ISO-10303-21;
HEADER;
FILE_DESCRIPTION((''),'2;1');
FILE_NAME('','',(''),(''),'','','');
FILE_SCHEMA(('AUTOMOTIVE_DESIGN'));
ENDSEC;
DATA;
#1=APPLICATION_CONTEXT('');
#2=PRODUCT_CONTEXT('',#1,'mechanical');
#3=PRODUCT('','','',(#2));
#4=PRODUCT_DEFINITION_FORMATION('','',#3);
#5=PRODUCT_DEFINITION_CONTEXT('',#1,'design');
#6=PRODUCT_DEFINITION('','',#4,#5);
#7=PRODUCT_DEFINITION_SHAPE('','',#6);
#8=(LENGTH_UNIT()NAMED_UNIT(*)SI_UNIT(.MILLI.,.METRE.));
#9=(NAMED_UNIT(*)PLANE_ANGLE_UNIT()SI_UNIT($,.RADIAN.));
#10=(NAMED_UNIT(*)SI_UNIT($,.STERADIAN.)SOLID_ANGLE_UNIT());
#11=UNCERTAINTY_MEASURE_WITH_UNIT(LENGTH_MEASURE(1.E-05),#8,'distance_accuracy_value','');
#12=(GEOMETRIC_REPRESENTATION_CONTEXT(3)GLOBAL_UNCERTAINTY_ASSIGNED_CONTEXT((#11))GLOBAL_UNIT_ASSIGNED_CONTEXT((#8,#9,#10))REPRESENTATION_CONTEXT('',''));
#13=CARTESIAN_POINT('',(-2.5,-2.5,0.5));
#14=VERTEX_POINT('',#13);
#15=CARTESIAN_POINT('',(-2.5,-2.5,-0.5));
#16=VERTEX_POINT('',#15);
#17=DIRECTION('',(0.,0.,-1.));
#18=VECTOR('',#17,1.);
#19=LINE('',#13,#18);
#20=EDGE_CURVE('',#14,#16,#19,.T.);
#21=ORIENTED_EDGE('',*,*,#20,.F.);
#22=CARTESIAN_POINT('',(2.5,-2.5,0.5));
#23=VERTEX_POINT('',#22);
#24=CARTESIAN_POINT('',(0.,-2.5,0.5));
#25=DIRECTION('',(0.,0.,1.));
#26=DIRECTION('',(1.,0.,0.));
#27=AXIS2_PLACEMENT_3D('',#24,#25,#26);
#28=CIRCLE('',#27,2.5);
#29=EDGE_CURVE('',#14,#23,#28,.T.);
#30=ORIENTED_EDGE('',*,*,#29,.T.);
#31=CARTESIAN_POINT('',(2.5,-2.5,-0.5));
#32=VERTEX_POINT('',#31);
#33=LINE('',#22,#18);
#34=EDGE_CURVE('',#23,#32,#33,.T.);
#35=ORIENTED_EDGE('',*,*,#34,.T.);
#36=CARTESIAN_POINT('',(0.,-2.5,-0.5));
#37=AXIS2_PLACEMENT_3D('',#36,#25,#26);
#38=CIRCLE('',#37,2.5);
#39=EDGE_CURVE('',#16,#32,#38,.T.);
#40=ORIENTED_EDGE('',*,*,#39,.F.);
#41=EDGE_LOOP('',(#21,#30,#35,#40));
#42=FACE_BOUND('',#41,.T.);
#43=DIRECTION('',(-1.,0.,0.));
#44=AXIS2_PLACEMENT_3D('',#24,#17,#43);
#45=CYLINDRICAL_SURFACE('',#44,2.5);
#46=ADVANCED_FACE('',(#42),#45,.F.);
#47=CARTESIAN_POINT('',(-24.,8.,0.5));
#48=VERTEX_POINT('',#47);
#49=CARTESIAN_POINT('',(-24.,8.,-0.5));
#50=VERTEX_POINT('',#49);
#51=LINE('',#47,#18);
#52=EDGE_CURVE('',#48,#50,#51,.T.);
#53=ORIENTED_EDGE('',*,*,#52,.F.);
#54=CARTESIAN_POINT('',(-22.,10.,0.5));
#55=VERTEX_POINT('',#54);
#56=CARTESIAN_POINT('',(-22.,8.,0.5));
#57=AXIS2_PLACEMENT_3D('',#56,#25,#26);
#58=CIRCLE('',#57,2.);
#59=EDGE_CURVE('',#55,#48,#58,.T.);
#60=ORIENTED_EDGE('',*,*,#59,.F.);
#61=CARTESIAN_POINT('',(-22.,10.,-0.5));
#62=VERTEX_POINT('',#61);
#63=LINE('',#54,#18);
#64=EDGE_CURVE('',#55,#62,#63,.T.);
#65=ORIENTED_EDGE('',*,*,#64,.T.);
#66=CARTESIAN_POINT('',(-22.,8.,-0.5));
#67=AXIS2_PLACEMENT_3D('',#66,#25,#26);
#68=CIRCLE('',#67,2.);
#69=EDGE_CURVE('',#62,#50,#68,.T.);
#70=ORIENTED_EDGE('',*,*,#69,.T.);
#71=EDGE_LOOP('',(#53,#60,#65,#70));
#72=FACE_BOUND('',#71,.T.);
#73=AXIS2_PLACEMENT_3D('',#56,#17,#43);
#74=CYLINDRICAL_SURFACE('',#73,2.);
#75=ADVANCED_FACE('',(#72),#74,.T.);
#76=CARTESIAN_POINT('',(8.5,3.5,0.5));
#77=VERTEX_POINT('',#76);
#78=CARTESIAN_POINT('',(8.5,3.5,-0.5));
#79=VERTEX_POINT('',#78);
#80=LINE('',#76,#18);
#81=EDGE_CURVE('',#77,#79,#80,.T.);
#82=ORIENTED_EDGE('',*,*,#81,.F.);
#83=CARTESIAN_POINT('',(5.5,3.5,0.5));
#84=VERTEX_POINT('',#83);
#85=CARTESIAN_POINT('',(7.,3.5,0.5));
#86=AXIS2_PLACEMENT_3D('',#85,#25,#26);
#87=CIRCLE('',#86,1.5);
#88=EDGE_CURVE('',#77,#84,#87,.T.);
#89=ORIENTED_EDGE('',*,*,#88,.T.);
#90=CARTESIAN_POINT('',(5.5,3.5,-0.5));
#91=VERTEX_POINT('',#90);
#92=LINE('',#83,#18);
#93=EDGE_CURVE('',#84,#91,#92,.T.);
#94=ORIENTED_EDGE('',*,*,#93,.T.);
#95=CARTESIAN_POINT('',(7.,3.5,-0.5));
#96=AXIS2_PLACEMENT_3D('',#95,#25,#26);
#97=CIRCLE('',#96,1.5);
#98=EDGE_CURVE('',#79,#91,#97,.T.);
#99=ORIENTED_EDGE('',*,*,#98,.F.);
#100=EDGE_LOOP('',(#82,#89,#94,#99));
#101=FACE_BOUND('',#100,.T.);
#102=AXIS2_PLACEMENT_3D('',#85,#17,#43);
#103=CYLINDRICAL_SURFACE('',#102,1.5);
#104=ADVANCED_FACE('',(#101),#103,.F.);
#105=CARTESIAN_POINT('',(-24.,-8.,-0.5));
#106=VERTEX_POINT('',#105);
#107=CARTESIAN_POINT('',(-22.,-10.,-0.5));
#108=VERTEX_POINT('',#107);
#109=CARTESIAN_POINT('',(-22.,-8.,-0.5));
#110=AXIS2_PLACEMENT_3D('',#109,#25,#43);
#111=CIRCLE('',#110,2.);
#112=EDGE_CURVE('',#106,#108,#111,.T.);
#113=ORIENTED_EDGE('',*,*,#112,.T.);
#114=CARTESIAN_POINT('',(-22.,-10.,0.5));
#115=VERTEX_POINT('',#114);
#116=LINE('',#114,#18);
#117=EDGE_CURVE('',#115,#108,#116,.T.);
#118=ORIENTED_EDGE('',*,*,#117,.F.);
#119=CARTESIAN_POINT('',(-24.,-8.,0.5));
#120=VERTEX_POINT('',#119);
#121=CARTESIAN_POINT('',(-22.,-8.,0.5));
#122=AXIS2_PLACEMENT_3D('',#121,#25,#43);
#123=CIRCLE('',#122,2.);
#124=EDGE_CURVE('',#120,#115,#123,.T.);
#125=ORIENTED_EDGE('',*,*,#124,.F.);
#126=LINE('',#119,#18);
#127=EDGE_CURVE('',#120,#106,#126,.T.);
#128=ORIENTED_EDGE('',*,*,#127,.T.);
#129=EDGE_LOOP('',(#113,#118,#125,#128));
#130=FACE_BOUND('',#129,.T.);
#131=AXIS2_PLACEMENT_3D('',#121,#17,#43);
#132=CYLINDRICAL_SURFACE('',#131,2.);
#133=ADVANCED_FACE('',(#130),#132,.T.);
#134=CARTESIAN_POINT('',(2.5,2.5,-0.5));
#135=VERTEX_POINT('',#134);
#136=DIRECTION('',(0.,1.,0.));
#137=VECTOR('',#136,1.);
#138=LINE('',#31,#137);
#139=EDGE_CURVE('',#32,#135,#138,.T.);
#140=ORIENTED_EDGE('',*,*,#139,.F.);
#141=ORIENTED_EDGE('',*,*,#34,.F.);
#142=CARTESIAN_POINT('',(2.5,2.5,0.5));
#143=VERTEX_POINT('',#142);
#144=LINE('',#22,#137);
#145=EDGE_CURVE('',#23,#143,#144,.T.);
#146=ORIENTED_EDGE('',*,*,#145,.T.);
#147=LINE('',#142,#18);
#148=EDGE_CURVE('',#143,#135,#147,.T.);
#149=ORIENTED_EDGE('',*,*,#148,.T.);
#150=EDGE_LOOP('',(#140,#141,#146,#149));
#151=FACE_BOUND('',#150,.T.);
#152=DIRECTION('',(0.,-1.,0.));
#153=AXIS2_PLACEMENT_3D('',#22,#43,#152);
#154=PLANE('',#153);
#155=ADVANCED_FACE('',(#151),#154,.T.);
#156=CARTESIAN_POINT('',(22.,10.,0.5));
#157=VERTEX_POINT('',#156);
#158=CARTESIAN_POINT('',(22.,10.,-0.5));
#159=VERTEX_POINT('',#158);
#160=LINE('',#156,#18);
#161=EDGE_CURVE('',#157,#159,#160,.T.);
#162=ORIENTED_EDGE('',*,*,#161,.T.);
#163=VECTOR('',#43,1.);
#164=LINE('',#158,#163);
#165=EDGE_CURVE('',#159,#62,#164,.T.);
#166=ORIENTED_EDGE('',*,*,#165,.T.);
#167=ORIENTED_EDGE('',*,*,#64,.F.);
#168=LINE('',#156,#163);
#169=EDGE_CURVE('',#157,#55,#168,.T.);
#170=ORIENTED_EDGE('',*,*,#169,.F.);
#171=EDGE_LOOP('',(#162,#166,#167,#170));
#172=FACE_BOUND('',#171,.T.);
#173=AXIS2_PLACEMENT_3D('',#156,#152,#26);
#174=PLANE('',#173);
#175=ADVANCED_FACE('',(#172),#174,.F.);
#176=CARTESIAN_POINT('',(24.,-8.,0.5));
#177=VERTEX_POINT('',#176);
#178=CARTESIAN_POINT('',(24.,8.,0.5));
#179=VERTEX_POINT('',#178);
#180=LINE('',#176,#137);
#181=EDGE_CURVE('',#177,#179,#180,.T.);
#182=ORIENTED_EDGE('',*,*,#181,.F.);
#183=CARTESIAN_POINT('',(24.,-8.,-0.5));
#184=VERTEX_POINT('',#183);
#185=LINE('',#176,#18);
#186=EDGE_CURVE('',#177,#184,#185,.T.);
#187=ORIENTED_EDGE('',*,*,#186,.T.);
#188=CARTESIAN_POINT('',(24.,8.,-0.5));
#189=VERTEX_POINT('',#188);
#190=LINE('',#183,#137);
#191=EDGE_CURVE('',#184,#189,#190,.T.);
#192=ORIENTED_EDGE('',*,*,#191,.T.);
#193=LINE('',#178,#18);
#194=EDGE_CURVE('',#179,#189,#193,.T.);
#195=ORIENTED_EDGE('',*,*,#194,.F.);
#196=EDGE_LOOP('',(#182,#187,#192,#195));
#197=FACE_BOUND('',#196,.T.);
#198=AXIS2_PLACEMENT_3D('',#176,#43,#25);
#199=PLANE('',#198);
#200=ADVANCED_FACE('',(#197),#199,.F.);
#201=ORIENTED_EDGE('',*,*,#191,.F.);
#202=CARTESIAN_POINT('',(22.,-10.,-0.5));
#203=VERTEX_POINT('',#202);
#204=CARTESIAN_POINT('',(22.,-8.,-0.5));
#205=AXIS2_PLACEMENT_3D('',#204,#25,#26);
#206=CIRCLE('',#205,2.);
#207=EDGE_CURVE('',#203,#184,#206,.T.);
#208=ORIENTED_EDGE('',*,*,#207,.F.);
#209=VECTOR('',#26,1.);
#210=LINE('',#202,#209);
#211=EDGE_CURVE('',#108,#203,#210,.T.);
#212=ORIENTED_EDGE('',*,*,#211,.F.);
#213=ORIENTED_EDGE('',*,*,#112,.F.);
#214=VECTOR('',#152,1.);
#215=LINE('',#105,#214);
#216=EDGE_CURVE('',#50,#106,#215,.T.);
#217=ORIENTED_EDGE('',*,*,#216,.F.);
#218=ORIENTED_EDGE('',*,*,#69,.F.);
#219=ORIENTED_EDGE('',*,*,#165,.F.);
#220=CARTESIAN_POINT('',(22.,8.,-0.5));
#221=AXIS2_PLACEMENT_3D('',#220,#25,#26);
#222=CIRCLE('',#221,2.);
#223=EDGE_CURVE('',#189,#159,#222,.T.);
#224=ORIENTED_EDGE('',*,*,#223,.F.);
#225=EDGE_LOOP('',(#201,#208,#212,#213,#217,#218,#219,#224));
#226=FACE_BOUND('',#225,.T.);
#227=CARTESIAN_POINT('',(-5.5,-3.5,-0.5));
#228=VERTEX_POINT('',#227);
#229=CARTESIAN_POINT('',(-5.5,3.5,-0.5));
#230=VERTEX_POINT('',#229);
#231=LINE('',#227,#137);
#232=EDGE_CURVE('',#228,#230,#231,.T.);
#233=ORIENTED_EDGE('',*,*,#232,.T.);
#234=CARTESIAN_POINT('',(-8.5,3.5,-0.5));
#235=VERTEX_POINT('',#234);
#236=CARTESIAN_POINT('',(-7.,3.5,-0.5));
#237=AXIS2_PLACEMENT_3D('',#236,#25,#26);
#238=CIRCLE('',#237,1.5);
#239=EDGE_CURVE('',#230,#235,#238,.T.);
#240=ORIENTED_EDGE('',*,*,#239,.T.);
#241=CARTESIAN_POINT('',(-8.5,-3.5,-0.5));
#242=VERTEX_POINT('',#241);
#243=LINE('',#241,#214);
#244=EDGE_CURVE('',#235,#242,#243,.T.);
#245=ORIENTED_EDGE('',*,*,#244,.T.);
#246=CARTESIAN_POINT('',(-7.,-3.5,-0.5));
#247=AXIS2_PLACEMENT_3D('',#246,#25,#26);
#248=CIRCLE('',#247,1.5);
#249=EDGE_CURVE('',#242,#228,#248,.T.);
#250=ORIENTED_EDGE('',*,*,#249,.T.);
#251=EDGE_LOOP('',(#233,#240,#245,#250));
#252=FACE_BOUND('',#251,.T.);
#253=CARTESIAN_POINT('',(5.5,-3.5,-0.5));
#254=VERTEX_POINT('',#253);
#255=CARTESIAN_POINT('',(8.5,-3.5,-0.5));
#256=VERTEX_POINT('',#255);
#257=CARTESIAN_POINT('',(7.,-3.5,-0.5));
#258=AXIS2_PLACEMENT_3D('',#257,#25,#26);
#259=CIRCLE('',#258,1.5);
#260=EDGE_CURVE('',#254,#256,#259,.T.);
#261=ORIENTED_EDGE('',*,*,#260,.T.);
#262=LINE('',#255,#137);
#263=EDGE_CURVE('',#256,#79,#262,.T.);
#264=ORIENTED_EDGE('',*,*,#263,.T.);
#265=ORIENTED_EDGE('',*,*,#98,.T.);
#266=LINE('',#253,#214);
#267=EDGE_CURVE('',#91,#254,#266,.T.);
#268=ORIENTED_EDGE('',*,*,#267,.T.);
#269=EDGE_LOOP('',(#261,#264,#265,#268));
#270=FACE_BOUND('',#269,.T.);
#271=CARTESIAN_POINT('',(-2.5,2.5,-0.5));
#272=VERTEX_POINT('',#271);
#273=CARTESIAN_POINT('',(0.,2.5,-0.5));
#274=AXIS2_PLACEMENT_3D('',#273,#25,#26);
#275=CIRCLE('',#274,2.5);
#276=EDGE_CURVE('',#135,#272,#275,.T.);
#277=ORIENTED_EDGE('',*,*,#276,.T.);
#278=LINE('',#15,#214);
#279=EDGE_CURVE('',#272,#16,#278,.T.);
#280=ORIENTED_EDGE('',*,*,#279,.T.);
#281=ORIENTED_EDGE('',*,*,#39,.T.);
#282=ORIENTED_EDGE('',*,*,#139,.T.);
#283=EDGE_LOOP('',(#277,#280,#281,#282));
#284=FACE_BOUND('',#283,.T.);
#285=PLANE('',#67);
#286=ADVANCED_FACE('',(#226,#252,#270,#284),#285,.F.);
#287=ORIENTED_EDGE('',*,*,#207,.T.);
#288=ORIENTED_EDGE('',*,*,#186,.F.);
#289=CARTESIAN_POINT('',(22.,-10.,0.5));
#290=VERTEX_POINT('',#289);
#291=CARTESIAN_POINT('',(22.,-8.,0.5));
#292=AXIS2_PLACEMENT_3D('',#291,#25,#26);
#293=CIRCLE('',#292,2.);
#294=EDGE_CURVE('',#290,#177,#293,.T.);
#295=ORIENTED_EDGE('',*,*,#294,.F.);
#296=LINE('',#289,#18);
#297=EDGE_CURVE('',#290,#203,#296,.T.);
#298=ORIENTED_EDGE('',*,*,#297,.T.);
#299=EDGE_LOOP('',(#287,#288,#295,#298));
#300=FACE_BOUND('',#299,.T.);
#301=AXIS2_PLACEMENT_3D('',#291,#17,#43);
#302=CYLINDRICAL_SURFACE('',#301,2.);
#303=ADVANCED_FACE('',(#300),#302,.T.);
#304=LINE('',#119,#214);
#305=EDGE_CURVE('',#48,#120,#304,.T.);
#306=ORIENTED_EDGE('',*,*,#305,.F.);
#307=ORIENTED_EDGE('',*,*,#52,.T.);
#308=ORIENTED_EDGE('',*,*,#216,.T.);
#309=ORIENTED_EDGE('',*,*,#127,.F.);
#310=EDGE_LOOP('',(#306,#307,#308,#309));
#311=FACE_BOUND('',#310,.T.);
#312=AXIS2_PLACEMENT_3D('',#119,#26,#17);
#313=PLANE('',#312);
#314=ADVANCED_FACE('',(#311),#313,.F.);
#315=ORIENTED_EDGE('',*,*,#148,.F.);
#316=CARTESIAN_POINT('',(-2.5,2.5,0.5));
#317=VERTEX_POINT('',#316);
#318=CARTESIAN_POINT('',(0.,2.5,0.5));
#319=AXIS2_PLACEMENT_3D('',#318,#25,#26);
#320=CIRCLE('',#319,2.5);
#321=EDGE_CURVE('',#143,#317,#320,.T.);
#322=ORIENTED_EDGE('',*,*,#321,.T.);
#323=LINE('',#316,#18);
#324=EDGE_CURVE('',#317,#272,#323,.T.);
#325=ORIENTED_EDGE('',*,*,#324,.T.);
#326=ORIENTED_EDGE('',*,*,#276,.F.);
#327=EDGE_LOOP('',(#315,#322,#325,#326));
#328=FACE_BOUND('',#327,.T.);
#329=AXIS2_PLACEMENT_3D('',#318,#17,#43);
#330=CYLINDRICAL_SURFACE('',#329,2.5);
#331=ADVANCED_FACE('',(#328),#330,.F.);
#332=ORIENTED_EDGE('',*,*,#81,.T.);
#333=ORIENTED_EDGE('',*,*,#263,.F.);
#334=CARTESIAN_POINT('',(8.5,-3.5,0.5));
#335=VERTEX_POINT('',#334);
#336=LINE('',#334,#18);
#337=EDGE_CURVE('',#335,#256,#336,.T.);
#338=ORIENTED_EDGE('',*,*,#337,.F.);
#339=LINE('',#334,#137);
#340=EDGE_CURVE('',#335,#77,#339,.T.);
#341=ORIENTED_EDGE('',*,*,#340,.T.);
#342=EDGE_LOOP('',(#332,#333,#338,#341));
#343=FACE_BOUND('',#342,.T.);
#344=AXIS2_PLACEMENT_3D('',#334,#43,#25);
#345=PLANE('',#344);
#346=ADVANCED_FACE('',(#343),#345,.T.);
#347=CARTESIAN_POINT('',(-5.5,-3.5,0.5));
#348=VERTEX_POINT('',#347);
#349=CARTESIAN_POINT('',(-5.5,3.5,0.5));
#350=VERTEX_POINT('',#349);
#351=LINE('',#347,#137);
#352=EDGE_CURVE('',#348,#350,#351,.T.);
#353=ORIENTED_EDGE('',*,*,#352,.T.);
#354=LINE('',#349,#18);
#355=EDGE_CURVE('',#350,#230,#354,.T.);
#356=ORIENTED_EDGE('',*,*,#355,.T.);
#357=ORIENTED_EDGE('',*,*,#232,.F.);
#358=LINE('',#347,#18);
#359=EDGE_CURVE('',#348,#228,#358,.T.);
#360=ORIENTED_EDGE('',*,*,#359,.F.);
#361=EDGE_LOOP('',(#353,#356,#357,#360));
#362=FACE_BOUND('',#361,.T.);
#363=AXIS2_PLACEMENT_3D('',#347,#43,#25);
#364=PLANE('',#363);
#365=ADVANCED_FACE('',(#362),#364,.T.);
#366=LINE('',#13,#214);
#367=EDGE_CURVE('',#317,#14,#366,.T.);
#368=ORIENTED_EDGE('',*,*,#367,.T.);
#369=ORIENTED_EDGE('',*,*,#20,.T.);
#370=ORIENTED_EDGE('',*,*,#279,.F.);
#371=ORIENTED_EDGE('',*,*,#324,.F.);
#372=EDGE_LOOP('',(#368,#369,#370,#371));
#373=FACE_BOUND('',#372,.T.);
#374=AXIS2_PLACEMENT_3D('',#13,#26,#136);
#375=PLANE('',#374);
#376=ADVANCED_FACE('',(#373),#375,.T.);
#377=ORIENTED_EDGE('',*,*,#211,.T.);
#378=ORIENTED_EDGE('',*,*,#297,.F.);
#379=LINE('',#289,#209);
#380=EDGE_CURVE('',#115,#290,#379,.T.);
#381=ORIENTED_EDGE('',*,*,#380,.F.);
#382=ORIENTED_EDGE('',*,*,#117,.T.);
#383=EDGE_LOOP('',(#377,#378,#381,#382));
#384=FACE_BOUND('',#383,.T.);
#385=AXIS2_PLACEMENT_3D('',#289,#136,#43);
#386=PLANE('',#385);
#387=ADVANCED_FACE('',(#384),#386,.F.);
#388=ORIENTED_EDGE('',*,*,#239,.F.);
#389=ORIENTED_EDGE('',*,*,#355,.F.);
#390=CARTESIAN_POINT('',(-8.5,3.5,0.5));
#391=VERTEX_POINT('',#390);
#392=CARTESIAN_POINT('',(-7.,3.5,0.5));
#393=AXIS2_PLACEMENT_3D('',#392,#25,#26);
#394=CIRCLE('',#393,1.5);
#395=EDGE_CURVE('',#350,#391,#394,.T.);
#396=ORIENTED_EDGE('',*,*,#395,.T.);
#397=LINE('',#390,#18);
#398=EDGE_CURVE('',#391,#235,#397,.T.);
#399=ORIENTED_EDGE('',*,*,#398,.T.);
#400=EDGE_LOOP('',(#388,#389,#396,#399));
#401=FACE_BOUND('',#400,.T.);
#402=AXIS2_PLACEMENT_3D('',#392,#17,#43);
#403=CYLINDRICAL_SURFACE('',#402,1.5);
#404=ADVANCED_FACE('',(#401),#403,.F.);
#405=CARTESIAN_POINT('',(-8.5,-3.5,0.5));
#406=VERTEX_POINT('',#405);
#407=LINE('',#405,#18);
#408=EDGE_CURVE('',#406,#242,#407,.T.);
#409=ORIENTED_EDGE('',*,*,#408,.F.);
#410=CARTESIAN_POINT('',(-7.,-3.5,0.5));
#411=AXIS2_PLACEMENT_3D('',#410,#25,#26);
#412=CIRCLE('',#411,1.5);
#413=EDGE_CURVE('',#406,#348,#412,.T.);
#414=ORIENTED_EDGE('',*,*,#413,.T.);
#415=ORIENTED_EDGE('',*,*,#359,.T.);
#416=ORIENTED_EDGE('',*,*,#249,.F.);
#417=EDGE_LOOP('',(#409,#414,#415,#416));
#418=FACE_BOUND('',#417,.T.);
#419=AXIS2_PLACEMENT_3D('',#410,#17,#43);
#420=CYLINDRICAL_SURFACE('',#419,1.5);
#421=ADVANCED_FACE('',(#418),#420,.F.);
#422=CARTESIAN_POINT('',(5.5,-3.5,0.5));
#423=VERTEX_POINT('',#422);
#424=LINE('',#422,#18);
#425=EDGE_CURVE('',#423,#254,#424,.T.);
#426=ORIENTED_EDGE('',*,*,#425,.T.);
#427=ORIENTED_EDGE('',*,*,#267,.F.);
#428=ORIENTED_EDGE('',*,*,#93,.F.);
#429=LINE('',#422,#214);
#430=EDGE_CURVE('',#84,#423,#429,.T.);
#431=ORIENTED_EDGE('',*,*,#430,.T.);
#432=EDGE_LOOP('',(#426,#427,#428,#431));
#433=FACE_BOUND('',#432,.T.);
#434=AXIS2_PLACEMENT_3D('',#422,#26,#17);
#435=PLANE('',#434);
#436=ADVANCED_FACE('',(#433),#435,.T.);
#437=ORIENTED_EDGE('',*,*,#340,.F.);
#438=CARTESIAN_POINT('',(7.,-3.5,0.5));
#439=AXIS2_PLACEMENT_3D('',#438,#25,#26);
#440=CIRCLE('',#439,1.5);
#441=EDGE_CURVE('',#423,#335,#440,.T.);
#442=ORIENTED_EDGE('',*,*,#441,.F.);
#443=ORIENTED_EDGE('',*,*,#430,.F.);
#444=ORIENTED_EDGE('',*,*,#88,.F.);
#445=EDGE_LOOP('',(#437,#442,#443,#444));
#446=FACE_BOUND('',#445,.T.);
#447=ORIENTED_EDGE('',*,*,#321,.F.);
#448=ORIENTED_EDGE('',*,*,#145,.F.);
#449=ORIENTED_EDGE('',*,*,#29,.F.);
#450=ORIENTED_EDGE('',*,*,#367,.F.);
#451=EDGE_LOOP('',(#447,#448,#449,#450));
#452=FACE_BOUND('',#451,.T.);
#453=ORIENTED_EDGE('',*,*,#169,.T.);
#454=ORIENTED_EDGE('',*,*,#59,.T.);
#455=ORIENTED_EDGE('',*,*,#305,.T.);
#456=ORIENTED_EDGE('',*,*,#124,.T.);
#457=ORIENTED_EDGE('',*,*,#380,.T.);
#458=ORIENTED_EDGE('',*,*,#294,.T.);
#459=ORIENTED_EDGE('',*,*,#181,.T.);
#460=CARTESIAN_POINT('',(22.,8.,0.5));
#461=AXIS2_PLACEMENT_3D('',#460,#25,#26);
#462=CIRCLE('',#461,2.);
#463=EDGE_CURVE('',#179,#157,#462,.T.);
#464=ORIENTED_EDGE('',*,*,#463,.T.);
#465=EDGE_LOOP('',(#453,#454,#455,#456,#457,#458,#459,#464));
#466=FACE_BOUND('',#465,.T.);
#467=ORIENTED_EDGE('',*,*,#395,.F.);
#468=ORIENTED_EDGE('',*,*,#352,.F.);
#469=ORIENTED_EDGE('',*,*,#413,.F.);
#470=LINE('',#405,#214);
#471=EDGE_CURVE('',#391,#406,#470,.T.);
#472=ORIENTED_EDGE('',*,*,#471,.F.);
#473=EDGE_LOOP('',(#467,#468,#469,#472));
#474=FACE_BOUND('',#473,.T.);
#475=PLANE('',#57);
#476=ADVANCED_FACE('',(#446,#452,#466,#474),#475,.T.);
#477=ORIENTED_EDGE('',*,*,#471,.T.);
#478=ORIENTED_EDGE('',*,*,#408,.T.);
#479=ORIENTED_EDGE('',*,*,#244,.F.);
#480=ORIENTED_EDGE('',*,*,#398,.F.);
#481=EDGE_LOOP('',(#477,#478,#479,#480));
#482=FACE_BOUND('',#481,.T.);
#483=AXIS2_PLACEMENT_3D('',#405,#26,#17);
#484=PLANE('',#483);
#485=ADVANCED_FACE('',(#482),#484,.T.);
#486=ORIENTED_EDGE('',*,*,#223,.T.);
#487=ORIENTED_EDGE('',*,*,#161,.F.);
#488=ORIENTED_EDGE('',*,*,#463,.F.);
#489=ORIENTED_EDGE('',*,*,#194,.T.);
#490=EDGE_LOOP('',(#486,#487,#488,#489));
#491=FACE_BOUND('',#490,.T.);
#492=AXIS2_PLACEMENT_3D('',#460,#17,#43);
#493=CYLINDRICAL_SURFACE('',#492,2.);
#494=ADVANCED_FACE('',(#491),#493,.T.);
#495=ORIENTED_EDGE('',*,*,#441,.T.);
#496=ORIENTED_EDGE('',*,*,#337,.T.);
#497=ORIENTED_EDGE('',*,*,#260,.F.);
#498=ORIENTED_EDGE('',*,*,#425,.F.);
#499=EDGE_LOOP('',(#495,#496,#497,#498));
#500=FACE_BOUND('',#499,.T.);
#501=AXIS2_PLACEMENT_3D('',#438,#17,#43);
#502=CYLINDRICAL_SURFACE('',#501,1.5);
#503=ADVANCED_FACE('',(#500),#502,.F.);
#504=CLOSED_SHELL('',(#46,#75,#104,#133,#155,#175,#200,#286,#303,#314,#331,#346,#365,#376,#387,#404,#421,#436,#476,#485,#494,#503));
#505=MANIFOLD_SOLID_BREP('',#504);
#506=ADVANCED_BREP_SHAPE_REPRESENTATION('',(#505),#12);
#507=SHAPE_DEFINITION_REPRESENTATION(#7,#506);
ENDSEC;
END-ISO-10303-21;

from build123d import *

# Parameters (mm, degrees)
BOSS_EXTRUDE1_DEPTH = 0.5


with BuildPart() as part:
    # Sketch1 → Boss-Extrude1 (new, symmetric)
    with BuildSketch(Plane.XY):
        with BuildLine():
            Line((22, -10), (-22, -10))
            ThreePointArc((-22, -10), (-23.414213562, -9.414213562), (-24, -8))
            Line((-24, -8), (-24, 8))
            ThreePointArc((-24, 8), (-23.414213562, 9.414213562), (-22, 10))
            Line((-22, 10), (22, 10))
            ThreePointArc((22, 10), (23.414213562, 9.414213562), (24, 8))
            Line((24, 8), (24, -8))
            ThreePointArc((24, -8), (23.414213562, -9.414213562), (22, -10))
        make_face()
        with BuildLine():
            Line((-2.5, -2.5), (-2.5, 2.5))
            ThreePointArc((-2.5, 2.5), (0, 5), (2.5, 2.5))
            Line((2.5, 2.5), (2.5, -2.5))
            ThreePointArc((2.5, -2.5), (0, -5), (-2.5, -2.5))
        make_face(mode=Mode.SUBTRACT)
        with BuildLine():
            Line((-8.5, -3.5), (-8.5, 3.5))
            ThreePointArc((-8.5, 3.5), (-7, 5), (-5.5, 3.5))
            Line((-5.5, 3.5), (-5.5, -3.5))
            ThreePointArc((-5.5, -3.5), (-7, -5), (-8.5, -3.5))
        make_face(mode=Mode.SUBTRACT)
        with BuildLine():
            Line((5.5, -3.5), (5.5, 3.5))
            ThreePointArc((5.5, 3.5), (7, 5), (8.5, 3.5))
            Line((8.5, 3.5), (8.5, -3.5))
            ThreePointArc((8.5, -3.5), (7, -5), (5.5, -3.5))
        make_face(mode=Mode.SUBTRACT)
    extrude(amount=BOSS_EXTRUDE1_DEPTH, both=True)


solid = part.part
